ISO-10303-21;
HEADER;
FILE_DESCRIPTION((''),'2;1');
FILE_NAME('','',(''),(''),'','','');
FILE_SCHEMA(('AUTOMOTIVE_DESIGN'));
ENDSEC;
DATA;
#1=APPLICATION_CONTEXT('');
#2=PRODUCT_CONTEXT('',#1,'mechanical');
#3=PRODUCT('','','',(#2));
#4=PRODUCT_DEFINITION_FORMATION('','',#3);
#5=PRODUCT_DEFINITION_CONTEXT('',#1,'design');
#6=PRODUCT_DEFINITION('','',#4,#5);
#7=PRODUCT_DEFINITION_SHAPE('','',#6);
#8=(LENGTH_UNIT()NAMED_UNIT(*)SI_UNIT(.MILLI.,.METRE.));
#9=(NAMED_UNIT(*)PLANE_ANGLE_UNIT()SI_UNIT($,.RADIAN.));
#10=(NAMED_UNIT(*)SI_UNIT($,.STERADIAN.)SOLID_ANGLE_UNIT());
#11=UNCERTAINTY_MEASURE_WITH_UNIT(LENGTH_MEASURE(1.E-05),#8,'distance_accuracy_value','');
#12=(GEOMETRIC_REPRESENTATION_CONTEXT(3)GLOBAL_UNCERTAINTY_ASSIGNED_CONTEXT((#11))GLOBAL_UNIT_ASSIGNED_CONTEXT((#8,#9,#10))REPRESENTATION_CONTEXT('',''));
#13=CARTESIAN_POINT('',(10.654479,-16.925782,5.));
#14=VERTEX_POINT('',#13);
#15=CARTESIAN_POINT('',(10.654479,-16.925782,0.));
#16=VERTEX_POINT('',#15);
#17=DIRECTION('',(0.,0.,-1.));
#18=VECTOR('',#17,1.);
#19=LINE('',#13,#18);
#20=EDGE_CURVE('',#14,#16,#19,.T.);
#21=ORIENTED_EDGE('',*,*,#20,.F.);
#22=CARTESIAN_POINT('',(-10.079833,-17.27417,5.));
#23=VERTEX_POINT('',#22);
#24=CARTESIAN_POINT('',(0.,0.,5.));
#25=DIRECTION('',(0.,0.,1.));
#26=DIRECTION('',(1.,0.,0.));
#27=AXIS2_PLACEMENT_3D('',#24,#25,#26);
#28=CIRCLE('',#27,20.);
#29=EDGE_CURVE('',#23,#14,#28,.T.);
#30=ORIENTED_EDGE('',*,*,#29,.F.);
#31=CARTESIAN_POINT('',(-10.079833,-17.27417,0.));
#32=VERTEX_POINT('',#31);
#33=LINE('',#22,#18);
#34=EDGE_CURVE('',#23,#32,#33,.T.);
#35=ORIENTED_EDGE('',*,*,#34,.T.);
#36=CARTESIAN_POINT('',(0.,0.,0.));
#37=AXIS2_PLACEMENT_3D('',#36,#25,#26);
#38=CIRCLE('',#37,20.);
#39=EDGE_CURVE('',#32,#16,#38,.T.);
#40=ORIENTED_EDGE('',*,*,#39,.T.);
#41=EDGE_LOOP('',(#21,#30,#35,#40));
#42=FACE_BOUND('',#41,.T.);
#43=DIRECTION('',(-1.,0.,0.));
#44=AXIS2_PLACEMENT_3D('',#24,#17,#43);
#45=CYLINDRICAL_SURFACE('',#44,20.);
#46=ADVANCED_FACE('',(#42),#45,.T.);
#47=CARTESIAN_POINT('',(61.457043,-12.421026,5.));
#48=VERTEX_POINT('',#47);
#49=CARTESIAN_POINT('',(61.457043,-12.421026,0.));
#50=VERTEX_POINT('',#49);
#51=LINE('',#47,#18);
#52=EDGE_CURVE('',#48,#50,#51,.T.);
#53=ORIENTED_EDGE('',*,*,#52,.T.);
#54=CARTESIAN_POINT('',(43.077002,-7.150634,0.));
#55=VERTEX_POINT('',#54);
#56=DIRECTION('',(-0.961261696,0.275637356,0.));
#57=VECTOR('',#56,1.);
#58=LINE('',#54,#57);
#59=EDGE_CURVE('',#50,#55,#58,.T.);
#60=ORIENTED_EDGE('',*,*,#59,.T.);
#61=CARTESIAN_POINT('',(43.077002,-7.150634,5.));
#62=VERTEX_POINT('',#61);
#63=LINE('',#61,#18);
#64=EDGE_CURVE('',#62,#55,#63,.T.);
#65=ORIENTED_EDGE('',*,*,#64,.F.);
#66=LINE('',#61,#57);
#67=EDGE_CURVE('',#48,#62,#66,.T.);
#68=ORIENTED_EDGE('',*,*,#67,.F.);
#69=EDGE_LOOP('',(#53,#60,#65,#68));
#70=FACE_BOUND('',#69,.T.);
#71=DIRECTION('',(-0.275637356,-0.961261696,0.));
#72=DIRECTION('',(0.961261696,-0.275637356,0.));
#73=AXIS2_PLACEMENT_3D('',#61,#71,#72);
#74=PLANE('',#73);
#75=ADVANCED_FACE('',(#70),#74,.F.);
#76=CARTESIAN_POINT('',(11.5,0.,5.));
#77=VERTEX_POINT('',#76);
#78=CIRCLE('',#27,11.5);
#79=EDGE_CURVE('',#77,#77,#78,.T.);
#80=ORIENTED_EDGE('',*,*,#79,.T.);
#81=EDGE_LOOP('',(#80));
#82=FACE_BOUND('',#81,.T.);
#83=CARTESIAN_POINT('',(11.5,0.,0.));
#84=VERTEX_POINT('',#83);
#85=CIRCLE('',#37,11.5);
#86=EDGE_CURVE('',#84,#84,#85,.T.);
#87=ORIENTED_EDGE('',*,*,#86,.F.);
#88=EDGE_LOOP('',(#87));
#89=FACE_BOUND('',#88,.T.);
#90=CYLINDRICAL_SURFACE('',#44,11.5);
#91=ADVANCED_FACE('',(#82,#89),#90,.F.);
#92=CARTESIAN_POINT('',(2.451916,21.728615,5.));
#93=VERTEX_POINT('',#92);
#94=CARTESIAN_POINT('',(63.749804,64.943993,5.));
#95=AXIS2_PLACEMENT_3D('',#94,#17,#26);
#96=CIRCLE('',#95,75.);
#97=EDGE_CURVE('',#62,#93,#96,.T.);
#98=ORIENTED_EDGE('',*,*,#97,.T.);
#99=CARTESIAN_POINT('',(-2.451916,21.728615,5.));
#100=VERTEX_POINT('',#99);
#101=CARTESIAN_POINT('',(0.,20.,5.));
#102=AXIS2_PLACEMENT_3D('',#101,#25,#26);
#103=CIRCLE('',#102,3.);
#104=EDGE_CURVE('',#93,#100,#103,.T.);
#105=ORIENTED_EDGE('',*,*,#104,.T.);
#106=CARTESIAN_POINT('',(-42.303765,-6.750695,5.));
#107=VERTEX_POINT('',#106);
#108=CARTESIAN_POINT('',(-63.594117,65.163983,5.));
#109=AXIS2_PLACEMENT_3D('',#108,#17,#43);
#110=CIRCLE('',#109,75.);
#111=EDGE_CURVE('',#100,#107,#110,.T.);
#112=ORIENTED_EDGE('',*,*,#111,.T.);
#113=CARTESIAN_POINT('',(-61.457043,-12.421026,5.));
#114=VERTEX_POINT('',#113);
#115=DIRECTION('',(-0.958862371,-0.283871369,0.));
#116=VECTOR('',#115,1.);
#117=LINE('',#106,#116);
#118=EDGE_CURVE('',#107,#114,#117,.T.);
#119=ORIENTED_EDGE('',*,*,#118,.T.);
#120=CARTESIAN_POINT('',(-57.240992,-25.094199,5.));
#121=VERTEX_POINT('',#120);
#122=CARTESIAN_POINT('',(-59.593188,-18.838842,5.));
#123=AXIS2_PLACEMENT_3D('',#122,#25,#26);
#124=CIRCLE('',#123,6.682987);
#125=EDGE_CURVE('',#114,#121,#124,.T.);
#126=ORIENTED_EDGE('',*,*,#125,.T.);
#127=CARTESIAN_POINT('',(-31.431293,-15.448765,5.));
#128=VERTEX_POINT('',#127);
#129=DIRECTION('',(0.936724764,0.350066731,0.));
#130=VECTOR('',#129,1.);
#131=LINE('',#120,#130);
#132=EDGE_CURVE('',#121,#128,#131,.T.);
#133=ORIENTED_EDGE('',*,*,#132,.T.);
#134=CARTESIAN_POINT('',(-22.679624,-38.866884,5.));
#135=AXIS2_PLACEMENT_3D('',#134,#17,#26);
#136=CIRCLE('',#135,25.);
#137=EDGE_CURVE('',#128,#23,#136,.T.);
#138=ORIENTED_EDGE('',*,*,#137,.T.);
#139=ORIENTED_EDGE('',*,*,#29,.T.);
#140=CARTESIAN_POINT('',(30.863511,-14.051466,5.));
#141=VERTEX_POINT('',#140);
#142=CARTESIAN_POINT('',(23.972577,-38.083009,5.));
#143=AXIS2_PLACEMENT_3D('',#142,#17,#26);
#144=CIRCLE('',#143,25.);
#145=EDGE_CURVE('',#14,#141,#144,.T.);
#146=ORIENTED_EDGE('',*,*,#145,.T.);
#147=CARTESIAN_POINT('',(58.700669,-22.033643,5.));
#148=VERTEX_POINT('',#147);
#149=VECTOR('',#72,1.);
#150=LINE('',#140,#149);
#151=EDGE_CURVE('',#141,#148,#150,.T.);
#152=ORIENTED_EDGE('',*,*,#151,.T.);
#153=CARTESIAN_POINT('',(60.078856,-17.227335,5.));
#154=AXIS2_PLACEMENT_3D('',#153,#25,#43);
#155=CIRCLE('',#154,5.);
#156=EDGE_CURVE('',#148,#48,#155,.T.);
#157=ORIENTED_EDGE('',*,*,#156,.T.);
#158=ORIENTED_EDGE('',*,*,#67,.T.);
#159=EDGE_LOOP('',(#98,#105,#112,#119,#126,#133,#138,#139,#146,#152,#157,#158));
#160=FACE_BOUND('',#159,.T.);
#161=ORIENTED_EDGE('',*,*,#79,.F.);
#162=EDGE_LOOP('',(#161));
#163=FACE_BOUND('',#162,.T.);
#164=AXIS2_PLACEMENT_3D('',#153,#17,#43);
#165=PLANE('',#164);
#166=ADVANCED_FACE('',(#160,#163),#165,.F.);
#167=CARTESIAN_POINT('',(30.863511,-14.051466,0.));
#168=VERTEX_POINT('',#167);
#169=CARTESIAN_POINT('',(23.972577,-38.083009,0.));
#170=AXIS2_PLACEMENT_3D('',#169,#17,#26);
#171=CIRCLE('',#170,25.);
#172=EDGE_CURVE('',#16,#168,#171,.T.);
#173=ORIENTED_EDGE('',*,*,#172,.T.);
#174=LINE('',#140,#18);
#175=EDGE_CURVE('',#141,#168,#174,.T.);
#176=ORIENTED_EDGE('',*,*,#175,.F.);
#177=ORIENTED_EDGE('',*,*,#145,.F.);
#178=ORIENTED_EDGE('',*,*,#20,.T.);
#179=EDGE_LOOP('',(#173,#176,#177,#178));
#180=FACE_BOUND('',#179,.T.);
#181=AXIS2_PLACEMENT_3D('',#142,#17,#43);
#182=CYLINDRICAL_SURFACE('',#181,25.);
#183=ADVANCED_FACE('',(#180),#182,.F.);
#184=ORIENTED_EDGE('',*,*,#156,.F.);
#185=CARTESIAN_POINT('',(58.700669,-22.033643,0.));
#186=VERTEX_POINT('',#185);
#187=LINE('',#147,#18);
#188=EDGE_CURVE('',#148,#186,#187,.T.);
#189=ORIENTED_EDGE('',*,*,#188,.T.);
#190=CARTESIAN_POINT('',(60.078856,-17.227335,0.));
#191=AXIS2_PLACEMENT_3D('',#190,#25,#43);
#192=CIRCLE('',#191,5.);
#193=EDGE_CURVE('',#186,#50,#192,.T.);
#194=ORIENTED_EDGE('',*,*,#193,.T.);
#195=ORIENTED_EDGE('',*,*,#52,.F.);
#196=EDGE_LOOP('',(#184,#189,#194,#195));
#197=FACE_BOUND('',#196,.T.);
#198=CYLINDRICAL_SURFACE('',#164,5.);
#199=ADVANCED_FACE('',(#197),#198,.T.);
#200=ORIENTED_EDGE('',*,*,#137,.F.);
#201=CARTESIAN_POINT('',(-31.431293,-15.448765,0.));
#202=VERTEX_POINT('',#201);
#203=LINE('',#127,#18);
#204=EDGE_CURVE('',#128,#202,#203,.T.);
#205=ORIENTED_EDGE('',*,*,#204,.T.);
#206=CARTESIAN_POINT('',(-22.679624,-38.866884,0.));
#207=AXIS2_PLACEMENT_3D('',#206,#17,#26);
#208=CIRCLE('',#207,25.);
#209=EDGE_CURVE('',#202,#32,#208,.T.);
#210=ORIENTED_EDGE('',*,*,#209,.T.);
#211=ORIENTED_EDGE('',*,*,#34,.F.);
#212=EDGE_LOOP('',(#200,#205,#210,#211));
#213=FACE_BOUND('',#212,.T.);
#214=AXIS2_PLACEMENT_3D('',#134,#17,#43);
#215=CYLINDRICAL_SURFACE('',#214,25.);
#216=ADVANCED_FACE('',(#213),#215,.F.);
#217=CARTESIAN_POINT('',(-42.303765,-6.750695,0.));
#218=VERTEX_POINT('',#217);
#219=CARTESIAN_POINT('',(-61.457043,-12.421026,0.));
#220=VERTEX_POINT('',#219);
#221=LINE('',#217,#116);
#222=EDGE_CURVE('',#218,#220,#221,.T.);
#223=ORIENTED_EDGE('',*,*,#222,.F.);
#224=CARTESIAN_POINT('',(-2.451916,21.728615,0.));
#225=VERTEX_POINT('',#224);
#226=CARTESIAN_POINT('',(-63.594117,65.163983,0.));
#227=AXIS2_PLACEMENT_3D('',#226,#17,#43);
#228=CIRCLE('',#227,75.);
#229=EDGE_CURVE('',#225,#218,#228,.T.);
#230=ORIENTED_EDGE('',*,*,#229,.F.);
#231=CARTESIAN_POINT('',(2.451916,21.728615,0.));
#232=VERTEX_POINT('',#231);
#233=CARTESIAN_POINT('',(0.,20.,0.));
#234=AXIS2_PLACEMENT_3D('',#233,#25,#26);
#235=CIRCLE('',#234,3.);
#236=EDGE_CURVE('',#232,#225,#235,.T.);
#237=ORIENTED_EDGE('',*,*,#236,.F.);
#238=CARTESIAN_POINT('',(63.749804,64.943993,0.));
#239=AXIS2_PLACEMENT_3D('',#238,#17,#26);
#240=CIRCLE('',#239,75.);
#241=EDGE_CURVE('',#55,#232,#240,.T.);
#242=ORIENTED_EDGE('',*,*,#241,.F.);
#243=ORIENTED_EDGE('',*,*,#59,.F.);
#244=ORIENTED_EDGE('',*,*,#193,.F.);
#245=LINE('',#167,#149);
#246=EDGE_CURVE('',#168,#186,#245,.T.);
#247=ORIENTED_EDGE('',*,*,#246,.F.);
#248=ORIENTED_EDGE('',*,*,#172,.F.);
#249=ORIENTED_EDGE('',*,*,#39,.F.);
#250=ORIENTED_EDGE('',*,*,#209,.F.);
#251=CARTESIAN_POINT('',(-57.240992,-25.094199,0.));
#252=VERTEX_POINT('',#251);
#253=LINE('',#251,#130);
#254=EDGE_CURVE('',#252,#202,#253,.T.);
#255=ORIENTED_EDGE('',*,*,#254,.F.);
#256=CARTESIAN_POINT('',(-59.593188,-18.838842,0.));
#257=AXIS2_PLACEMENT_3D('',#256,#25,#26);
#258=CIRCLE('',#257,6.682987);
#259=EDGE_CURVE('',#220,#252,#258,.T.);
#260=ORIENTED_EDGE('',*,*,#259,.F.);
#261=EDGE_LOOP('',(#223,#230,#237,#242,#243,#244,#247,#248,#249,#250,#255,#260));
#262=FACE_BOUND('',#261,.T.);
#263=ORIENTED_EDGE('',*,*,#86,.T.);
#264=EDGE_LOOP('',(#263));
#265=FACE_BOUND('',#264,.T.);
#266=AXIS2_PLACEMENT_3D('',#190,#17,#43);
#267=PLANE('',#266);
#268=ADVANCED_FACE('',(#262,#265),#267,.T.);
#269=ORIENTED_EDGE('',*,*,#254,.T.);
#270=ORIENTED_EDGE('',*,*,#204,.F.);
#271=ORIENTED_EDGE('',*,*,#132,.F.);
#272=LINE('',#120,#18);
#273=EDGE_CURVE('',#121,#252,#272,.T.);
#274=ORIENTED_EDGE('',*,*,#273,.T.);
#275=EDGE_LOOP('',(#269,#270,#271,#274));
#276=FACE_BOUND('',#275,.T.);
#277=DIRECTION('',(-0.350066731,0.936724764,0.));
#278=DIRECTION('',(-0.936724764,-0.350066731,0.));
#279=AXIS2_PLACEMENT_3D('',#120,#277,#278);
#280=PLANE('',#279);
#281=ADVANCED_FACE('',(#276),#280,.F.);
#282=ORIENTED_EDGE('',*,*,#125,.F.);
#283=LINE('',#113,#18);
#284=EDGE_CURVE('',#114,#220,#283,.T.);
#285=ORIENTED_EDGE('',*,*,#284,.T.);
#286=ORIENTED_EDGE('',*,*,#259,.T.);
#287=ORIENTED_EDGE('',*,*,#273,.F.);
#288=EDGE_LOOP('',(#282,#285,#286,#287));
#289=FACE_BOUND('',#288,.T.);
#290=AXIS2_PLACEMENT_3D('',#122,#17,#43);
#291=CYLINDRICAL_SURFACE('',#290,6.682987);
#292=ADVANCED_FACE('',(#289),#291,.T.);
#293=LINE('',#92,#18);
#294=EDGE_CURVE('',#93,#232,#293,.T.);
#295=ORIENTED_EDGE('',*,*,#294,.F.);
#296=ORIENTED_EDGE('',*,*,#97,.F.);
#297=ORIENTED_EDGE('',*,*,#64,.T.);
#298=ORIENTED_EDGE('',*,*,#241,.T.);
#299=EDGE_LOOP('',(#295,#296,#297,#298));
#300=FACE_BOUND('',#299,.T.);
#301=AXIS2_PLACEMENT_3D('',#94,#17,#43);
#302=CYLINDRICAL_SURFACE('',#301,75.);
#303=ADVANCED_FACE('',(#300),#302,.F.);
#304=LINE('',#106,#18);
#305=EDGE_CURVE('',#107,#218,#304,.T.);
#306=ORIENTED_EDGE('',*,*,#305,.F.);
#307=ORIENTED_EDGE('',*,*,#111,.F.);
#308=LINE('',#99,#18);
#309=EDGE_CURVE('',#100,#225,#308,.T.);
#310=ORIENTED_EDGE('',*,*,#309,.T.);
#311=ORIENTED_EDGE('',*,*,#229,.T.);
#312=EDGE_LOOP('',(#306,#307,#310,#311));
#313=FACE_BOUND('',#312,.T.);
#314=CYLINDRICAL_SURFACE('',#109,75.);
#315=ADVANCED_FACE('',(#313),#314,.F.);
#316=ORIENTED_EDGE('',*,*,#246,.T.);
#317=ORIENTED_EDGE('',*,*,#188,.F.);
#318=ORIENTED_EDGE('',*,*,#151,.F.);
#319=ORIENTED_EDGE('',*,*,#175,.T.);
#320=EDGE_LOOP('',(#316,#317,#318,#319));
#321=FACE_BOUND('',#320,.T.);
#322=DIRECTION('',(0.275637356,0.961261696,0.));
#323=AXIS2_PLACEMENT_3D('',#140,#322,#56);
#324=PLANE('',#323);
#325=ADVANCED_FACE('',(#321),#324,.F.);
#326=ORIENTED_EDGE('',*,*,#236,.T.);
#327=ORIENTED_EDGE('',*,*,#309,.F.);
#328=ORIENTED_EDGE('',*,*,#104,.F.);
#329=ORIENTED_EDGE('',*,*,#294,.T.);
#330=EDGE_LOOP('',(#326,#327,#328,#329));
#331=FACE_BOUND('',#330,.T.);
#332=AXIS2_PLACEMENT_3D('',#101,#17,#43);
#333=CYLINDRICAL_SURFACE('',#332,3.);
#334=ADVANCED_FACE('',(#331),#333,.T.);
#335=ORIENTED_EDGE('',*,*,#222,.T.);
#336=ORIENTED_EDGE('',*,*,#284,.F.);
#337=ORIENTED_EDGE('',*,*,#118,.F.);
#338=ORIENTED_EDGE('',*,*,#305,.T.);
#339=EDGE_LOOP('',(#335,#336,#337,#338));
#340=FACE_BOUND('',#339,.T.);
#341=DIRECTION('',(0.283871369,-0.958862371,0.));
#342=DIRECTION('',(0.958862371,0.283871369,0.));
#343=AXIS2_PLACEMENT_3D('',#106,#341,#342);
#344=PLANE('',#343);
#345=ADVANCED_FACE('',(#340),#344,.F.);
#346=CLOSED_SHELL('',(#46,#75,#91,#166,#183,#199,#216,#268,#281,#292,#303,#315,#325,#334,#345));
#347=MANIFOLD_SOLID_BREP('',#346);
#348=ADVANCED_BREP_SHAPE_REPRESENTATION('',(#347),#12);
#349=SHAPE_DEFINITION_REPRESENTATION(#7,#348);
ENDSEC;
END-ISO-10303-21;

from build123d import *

# Parameters (mm, degrees)
SKETCH1_R           = 11.5
BOSS_EXTRUDE1_DEPTH = 5


with BuildPart() as part:
    # Sketch1 → Boss-Extrude1 (new body)
    with BuildSketch(Plane.XY):
        with BuildLine():
            Line((30.863510665, -14.051466451), (58.700669217, -22.033643218))
            ThreePointArc((58.700669217, -22.033643218), (64.885164476, -18.605521518), (61.457042775, -12.421026259))
            Line((61.457042775, -12.421026259), (43.077002388, -7.150634488))
            ThreePointArc((43.077002388, -7.150634488), (20.295215387, 3.815450095), (2.451915541, 21.728615104))
            ThreePointArc((2.451915541, 21.728615104), (0, 23), (-2.451915541, 21.728615104))
            ThreePointArc((-2.451915541, 21.728615104), (-19.987359953, 4.143898292), (-42.303764549, -6.750694953))
            Line((-42.303764549, -6.750694953), (-61.457042775, -12.421026259))
            ThreePointArc((-61.457042775, -12.421026259), (-65.934476702, -20.948431695), (-57.240992184, -25.094198809))
            Line((-57.240992184, -25.094198809), (-31.431292557, -15.44876451))
            ThreePointArc((-31.431292557, -15.44876451), (-20.55006109, -13.957749538), (-10.079833017, -17.274170497))
            ThreePointArc((-10.079833017, -17.274170497), (0.33600307, -19.997177349), (10.654478564, -16.925781711))
            ThreePointArc((10.654478564, -16.925781711), (20.452273896, -13.332100428), (30.863510665, -14.051466451))
        make_face()
        Circle(SKETCH1_R, mode=Mode.SUBTRACT)
    extrude(amount=BOSS_EXTRUDE1_DEPTH)


solid = part.part
